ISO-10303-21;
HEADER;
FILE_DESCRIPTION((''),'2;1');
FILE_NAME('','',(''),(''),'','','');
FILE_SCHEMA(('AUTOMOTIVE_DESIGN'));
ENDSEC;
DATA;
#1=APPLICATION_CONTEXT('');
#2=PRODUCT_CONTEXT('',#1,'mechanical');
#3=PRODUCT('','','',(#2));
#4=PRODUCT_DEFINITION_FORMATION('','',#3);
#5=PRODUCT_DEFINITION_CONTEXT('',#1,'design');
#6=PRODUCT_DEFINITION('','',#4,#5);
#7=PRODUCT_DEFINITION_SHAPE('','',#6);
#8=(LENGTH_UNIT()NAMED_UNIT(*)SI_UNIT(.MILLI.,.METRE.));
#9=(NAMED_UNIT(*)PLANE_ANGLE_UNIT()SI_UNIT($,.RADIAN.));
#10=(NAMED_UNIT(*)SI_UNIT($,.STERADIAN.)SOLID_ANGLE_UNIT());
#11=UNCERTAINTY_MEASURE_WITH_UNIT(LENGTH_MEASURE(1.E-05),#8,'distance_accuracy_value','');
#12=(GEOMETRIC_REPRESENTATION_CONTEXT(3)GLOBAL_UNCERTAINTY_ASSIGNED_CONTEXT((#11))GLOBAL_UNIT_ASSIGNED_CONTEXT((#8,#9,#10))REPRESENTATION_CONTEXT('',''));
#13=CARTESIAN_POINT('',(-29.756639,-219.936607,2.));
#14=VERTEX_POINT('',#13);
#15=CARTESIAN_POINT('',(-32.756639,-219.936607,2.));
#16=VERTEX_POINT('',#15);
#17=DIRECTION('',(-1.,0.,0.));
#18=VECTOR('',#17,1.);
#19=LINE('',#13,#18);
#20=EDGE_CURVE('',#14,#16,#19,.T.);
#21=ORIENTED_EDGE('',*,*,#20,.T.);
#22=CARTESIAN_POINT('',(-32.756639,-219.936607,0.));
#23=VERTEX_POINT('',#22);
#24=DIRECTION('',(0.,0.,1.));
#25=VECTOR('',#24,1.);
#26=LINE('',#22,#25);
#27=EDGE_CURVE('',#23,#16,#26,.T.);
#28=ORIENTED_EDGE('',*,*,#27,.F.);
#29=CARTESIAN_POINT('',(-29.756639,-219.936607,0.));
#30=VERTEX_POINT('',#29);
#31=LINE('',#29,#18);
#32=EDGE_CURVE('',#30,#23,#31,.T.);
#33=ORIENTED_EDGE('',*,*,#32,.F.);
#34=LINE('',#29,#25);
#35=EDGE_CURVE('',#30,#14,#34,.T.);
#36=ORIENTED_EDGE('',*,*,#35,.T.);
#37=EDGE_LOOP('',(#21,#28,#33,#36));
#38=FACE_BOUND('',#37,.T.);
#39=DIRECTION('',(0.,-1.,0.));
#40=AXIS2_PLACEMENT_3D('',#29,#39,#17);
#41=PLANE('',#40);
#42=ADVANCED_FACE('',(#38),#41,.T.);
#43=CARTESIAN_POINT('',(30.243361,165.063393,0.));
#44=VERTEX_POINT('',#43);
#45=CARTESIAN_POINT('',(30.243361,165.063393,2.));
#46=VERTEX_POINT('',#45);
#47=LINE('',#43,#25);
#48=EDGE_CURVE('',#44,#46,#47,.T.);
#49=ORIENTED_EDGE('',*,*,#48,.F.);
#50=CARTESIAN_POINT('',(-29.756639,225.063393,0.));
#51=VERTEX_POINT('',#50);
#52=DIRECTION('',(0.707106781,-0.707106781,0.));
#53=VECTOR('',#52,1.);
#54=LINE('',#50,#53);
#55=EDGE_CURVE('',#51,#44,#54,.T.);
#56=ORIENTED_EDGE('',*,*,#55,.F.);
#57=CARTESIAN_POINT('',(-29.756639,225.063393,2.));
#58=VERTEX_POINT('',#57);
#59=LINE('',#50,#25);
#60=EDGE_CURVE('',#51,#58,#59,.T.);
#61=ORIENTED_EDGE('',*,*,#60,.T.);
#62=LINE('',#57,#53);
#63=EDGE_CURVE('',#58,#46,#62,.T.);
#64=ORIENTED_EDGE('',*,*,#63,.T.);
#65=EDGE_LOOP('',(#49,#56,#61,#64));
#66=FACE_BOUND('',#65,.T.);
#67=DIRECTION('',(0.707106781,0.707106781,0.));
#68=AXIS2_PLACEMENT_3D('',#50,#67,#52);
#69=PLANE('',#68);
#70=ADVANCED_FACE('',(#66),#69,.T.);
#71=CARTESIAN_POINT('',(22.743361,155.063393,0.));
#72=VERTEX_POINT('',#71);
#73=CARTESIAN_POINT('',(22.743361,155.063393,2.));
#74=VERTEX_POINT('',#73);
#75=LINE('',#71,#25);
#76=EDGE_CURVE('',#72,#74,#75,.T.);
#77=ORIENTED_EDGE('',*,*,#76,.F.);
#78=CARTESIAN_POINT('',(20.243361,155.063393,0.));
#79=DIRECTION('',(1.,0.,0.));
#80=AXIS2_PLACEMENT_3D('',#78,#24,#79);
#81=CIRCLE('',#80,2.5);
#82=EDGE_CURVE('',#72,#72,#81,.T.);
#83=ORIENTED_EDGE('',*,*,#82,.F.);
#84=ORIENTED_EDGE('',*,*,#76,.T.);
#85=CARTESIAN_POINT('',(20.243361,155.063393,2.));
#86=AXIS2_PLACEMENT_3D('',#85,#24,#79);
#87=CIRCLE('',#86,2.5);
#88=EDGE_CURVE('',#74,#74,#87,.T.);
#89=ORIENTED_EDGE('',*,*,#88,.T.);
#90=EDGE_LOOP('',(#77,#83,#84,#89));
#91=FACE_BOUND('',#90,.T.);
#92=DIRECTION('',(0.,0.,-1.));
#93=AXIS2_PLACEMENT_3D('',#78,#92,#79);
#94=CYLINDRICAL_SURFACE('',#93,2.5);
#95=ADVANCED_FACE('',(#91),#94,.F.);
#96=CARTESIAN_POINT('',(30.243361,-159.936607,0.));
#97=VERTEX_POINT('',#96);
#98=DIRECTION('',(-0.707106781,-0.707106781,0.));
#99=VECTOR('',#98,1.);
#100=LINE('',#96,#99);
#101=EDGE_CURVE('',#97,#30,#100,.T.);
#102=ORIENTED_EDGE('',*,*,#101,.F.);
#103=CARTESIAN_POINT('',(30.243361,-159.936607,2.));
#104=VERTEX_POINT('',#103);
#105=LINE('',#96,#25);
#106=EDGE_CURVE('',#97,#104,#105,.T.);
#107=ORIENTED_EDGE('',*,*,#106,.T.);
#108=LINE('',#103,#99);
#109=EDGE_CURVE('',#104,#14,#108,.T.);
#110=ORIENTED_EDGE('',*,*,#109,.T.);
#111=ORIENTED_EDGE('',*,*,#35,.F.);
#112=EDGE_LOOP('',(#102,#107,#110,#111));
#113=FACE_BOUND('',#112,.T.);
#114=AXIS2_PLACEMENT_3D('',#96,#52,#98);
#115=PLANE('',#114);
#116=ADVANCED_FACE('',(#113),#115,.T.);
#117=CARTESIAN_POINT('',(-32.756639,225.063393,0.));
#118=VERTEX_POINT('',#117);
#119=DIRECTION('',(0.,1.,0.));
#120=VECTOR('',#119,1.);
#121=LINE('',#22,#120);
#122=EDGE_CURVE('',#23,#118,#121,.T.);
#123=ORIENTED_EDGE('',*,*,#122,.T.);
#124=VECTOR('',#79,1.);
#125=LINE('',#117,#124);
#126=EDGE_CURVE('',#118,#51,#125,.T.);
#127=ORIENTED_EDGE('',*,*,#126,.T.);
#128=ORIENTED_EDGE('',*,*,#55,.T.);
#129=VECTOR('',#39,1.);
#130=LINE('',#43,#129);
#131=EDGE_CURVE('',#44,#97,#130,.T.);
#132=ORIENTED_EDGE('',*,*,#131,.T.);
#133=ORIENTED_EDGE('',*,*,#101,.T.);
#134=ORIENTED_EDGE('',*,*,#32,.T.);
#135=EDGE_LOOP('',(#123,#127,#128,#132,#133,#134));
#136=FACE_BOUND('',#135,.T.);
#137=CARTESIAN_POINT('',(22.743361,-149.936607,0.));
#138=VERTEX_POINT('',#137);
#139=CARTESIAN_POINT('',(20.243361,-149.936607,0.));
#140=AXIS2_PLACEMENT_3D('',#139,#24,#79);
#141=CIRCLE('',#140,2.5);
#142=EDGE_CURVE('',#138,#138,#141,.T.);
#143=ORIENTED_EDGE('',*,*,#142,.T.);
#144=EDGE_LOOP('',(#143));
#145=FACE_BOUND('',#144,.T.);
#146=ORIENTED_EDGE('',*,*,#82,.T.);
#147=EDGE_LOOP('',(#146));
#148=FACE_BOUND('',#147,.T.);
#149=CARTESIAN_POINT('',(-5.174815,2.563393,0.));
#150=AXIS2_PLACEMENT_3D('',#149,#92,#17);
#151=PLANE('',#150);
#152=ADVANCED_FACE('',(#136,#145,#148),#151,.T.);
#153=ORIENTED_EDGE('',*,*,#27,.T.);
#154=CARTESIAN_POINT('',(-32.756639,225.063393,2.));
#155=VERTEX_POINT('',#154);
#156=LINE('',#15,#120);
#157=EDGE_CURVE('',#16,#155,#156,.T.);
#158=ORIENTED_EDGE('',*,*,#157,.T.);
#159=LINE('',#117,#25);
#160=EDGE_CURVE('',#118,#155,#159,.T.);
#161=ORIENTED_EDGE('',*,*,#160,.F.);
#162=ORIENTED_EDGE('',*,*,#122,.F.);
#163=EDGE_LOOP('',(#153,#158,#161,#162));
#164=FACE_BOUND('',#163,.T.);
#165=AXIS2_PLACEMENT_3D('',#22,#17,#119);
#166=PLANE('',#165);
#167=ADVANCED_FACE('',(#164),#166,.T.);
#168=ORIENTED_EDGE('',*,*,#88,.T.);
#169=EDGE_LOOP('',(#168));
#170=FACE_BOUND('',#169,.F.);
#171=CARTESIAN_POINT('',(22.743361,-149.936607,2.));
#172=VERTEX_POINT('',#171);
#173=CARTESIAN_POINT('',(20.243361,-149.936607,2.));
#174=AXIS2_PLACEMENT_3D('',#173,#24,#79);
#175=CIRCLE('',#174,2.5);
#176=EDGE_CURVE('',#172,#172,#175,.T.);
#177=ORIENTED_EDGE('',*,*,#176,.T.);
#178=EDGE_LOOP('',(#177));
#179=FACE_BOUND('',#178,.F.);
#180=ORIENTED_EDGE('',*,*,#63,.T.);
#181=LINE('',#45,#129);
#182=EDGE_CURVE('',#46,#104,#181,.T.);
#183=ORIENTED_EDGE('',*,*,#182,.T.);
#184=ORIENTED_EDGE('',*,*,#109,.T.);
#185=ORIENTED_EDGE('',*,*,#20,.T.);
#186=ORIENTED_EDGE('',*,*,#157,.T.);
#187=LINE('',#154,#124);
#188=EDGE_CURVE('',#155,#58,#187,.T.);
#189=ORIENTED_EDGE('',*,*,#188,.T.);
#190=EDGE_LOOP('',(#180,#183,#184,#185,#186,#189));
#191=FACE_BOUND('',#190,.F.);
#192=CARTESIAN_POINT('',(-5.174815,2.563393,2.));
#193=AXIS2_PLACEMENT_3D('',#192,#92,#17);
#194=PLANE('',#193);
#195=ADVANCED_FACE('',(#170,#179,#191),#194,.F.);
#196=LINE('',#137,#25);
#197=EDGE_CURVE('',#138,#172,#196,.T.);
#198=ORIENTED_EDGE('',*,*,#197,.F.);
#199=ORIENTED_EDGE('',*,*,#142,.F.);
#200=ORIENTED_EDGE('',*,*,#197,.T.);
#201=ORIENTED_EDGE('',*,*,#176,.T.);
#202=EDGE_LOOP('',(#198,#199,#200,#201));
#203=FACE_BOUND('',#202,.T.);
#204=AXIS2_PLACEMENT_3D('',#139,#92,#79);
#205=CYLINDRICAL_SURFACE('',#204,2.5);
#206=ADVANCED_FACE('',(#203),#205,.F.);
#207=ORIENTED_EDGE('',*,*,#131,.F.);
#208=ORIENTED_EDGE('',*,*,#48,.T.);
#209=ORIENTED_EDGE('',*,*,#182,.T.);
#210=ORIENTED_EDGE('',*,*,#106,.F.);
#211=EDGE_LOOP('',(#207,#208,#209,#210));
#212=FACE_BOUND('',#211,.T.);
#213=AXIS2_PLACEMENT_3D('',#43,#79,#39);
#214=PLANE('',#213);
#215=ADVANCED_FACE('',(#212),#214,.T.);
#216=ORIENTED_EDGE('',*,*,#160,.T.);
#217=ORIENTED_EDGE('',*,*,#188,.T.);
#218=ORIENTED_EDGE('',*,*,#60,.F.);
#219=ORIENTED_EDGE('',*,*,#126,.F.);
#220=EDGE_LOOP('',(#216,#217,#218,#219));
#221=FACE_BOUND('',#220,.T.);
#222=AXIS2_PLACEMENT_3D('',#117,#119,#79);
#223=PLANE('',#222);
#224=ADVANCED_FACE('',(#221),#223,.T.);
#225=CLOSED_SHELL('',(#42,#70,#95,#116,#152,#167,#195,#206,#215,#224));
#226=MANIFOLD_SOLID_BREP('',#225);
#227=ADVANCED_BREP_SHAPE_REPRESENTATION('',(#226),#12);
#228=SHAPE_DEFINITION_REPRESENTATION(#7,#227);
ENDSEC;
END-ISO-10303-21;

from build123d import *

# Parameters (mm, degrees)
SKETCH_R  = 2.5
PAD_DEPTH = 2


with BuildPart() as part:
    # Sketch → Pad (new body)
    with BuildSketch(Plane.XY):
        Polygon((-32.756639, 225.063393), (-29.756639, 225.063393), (30.243361, 165.063393), (30.243361, -159.936607), (-29.756639, -219.936607), (-32.756639, -219.936607), align=None)
        with Locations((20.243361, 155.063393)):
            Circle(SKETCH_R, mode=Mode.SUBTRACT)
        with Locations((20.243361, -149.936607)):
            Circle(SKETCH_R, mode=Mode.SUBTRACT)
    extrude(amount=PAD_DEPTH)


solid = part.part
